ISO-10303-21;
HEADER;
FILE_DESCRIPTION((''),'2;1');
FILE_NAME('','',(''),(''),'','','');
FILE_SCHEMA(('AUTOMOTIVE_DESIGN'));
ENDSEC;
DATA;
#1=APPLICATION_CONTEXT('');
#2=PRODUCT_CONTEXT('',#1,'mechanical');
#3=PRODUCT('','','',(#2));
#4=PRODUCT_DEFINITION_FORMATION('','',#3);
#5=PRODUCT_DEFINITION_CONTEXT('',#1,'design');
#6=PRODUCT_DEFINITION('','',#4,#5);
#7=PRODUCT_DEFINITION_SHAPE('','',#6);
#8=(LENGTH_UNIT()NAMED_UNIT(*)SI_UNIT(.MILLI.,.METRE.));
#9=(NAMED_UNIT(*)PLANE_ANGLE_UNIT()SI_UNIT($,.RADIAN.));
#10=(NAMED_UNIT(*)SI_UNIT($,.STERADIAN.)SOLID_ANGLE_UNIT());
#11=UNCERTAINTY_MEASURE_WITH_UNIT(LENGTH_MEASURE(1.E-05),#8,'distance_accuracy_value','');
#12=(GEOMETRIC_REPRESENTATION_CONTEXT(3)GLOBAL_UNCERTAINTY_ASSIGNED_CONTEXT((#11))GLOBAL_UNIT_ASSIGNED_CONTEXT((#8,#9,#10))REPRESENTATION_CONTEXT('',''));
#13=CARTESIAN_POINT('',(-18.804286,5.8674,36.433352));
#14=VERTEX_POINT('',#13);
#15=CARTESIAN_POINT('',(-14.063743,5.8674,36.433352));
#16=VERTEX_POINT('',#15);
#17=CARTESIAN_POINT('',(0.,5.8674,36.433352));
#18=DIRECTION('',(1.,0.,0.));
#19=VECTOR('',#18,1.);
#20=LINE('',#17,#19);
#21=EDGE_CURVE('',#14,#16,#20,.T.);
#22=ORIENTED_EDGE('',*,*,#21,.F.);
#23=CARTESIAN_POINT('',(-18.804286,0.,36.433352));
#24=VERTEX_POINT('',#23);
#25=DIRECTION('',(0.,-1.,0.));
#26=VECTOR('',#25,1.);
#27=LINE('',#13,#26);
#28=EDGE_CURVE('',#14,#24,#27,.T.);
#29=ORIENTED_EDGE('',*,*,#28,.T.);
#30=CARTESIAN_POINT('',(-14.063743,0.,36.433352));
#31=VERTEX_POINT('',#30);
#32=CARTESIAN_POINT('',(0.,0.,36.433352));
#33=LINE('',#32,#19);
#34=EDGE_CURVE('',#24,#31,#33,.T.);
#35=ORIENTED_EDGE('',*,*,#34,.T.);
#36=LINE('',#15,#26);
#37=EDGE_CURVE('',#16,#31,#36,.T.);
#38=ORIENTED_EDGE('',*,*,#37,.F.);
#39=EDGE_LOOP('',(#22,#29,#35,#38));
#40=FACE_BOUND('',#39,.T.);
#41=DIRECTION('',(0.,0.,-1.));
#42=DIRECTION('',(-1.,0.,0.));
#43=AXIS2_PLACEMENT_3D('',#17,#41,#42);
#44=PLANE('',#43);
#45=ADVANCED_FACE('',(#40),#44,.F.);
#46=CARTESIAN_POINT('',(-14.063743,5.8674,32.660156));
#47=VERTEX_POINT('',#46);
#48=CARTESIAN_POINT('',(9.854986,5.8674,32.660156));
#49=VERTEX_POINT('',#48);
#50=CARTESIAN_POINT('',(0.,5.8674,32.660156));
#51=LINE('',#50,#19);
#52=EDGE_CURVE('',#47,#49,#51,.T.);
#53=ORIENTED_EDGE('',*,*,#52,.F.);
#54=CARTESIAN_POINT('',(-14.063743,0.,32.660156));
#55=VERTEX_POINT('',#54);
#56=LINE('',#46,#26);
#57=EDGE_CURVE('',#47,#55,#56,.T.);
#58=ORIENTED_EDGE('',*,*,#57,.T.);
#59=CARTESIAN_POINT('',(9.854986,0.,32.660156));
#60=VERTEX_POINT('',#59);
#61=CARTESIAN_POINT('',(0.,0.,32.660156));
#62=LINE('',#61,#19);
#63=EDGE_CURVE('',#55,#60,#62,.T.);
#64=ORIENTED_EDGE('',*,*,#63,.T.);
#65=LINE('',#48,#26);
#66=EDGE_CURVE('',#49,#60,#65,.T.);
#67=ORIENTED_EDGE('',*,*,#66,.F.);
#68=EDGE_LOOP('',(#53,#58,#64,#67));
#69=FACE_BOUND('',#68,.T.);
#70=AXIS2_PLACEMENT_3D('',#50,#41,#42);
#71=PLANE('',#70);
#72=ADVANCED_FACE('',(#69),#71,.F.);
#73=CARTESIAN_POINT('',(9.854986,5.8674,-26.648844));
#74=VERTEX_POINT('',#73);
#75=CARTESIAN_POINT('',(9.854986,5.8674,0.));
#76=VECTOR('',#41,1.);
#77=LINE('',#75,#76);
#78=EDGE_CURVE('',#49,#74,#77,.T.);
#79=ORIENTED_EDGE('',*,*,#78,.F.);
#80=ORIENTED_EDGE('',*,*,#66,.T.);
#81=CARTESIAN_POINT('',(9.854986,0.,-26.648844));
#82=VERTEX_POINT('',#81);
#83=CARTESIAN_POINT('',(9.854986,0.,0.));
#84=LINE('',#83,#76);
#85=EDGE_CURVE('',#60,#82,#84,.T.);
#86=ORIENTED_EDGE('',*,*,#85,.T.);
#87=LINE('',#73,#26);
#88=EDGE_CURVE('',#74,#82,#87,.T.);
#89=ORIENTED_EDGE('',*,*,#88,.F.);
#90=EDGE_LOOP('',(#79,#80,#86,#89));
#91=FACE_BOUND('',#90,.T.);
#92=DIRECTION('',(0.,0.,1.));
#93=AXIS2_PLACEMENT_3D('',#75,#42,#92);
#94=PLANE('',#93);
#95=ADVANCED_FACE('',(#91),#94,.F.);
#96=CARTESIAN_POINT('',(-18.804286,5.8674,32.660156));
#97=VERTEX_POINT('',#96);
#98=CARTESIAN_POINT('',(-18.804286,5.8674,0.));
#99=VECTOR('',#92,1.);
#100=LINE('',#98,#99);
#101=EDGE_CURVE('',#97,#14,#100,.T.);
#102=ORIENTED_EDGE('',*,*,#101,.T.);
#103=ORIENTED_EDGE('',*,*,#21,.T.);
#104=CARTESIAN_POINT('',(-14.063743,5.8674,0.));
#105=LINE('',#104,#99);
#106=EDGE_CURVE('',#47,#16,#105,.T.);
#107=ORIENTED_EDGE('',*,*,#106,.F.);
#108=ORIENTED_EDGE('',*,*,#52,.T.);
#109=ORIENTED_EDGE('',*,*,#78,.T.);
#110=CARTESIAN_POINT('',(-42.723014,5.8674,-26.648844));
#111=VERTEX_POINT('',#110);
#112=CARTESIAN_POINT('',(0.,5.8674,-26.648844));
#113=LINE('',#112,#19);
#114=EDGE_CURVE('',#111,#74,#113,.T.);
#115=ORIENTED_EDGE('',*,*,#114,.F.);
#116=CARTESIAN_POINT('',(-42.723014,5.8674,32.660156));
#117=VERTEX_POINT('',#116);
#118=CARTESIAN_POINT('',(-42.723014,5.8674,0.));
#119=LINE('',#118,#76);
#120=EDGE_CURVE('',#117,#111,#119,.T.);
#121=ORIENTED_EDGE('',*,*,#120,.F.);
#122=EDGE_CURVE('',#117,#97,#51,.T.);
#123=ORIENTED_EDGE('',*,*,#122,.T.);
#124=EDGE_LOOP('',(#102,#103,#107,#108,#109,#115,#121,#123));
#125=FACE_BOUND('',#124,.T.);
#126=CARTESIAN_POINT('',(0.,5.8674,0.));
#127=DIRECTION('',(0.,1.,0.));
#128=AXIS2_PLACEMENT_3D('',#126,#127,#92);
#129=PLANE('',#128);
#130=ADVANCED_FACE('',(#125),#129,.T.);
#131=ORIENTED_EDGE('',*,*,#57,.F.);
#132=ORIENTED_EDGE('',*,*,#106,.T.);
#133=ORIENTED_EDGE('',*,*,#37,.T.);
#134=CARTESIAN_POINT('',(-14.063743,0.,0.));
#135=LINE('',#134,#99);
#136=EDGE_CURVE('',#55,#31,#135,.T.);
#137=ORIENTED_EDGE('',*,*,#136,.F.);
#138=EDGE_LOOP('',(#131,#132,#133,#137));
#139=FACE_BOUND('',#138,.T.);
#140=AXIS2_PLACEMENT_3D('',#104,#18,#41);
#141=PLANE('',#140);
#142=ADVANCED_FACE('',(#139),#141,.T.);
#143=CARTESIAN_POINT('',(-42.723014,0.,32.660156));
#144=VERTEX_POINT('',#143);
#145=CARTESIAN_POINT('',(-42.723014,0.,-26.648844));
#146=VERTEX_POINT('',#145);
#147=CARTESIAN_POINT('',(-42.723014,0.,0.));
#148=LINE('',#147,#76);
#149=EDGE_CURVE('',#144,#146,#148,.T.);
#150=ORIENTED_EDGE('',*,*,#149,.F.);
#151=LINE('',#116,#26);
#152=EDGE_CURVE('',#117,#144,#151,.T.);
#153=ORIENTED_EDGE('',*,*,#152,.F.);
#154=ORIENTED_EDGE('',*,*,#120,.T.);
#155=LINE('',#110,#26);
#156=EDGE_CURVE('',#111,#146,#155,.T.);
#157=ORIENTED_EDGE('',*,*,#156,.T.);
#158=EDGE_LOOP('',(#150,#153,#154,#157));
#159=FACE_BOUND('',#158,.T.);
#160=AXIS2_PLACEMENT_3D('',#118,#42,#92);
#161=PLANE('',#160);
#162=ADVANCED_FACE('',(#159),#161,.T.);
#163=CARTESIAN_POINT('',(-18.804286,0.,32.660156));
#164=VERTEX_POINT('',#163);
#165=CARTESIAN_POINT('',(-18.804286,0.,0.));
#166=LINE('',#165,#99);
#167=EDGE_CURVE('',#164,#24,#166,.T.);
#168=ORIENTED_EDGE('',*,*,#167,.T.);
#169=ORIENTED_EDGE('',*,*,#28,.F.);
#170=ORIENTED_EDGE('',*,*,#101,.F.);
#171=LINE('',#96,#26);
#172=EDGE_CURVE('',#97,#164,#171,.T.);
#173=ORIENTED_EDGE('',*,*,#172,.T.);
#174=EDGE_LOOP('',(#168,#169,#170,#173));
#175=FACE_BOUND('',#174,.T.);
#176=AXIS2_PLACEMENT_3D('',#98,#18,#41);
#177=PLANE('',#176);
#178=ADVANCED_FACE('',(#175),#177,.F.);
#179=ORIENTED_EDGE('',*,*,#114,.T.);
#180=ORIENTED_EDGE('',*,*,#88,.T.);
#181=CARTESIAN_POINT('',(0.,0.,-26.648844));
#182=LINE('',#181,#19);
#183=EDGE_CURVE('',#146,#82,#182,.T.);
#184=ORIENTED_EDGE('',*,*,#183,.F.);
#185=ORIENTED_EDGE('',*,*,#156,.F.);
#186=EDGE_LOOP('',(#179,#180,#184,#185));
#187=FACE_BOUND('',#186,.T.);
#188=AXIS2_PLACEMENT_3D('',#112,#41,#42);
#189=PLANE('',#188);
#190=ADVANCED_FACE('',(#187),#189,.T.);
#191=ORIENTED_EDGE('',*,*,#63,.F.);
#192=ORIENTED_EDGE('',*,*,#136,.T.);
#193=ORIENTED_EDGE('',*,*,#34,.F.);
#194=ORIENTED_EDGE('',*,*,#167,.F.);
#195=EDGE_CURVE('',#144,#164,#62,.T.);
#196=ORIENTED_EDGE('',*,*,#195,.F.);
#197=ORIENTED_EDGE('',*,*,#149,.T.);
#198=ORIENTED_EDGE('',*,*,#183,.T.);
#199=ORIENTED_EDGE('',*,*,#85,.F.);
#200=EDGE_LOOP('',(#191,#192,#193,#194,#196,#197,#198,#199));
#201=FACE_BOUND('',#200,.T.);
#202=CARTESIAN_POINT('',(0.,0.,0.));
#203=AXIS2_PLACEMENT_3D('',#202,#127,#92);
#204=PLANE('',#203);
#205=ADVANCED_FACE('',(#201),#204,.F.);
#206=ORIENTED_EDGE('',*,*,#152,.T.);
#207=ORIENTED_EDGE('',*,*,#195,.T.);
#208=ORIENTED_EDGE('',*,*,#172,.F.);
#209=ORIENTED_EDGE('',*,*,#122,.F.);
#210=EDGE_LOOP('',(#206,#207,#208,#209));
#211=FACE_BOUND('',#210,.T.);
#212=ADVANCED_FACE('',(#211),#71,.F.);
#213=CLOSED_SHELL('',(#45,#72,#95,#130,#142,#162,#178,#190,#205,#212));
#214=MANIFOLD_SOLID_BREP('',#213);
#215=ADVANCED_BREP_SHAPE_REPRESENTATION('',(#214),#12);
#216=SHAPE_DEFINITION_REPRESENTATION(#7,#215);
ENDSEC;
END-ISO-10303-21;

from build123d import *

# Parameters (mm, degrees)
SKETCH1_W           = 4.740543004
SKETCH1_H           = 3.773196038
SKETCH1_W_2         = 52.578
SKETCH1_H_2         = 59.309
BOSS_EXTRUDE1_DEPTH = 5.8674


with BuildPart() as part:
    # Sketch1 → Boss-Extrude1 (new body)
    with BuildSketch(Plane(origin=(0, 0, 0), x_dir=(1, 0, 0), z_dir=(0, 1, 0))):
        with Locations((-16.434014347, -34.546753615)):
            Rectangle(SKETCH1_W, SKETCH1_H)
        with Locations((-16.434014347, -3.005655596)):
            Rectangle(SKETCH1_W_2, SKETCH1_H_2)
    extrude(amount=BOSS_EXTRUDE1_DEPTH)


solid = part.part
